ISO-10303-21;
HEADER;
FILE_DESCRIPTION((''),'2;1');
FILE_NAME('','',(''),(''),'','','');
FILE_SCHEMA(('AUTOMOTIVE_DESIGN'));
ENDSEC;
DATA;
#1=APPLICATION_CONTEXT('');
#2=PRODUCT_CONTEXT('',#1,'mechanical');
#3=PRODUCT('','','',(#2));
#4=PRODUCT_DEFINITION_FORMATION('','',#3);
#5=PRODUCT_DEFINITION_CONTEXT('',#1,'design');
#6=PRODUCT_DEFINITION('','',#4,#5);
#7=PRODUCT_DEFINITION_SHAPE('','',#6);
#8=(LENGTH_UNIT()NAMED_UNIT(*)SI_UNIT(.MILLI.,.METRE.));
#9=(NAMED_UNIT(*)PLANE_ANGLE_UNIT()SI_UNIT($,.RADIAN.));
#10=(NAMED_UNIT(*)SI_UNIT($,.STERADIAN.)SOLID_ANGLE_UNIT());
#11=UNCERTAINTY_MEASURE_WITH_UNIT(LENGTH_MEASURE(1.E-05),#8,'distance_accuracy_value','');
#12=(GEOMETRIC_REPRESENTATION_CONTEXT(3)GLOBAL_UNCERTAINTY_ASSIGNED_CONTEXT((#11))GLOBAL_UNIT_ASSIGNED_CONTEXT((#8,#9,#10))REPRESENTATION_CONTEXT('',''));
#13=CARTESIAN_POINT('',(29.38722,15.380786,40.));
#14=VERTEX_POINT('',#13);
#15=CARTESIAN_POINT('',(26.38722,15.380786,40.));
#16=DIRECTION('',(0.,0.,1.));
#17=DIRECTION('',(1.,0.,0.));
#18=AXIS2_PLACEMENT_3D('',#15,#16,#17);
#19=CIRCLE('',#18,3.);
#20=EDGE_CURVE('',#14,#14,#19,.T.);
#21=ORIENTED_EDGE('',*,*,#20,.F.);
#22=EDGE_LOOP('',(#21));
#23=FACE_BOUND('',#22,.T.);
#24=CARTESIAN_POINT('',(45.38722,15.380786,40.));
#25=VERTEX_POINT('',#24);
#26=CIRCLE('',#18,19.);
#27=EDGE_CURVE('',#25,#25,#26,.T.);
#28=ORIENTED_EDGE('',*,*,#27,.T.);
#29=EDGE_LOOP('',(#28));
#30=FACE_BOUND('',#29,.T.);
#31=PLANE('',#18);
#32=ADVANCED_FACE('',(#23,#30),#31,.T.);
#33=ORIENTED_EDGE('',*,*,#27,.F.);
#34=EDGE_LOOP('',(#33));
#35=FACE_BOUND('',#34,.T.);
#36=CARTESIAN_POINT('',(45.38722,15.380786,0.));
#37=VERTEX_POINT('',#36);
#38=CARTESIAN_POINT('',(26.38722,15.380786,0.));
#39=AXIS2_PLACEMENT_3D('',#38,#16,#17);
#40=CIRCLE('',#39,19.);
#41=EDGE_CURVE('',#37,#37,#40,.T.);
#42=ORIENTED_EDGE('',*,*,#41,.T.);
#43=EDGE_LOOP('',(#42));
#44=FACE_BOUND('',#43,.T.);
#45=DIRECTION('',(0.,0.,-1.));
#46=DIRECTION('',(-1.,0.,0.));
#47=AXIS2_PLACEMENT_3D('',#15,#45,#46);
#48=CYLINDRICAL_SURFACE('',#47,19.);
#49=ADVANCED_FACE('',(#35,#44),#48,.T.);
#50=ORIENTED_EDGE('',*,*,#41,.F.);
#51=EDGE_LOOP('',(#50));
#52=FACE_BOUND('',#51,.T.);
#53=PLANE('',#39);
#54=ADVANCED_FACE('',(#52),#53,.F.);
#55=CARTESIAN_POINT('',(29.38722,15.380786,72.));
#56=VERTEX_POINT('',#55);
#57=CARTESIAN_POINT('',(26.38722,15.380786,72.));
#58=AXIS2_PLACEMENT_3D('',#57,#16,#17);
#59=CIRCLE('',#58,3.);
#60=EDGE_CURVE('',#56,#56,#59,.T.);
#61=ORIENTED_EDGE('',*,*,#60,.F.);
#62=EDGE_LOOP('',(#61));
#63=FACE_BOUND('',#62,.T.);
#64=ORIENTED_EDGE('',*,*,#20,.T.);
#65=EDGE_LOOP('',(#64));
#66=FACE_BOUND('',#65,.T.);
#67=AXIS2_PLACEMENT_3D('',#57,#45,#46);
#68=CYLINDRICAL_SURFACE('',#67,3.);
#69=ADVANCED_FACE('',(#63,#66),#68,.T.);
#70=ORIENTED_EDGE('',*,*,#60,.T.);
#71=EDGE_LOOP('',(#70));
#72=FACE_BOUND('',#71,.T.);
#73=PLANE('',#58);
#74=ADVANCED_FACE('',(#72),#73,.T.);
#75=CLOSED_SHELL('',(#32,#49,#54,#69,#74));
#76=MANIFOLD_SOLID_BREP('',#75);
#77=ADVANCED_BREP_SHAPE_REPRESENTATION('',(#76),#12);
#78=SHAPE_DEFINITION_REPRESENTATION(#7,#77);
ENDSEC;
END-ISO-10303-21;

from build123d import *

# Parameters (mm, degrees)
SKETCH1_R           = 19
BOSS_EXTRUDE1_DEPTH = 40
SKETCH3_R           = 3
BOSS_EXTRUDE2_DEPTH = 32


with BuildPart() as part:
    # Sketch1 → Boss-Extrude1 (new body)
    with BuildSketch(Plane.XY):
        with Locations((26.387220358, 15.380786198)):
            Circle(SKETCH1_R)
    extrude(amount=BOSS_EXTRUDE1_DEPTH)

    # Sketch3 → Boss-Extrude2 (add)
    with BuildSketch(Plane.XY.offset(40)):
        with Locations((26.387220358, 15.380786198)):
            Circle(SKETCH3_R)
    extrude(amount=BOSS_EXTRUDE2_DEPTH)


solid = part.part
